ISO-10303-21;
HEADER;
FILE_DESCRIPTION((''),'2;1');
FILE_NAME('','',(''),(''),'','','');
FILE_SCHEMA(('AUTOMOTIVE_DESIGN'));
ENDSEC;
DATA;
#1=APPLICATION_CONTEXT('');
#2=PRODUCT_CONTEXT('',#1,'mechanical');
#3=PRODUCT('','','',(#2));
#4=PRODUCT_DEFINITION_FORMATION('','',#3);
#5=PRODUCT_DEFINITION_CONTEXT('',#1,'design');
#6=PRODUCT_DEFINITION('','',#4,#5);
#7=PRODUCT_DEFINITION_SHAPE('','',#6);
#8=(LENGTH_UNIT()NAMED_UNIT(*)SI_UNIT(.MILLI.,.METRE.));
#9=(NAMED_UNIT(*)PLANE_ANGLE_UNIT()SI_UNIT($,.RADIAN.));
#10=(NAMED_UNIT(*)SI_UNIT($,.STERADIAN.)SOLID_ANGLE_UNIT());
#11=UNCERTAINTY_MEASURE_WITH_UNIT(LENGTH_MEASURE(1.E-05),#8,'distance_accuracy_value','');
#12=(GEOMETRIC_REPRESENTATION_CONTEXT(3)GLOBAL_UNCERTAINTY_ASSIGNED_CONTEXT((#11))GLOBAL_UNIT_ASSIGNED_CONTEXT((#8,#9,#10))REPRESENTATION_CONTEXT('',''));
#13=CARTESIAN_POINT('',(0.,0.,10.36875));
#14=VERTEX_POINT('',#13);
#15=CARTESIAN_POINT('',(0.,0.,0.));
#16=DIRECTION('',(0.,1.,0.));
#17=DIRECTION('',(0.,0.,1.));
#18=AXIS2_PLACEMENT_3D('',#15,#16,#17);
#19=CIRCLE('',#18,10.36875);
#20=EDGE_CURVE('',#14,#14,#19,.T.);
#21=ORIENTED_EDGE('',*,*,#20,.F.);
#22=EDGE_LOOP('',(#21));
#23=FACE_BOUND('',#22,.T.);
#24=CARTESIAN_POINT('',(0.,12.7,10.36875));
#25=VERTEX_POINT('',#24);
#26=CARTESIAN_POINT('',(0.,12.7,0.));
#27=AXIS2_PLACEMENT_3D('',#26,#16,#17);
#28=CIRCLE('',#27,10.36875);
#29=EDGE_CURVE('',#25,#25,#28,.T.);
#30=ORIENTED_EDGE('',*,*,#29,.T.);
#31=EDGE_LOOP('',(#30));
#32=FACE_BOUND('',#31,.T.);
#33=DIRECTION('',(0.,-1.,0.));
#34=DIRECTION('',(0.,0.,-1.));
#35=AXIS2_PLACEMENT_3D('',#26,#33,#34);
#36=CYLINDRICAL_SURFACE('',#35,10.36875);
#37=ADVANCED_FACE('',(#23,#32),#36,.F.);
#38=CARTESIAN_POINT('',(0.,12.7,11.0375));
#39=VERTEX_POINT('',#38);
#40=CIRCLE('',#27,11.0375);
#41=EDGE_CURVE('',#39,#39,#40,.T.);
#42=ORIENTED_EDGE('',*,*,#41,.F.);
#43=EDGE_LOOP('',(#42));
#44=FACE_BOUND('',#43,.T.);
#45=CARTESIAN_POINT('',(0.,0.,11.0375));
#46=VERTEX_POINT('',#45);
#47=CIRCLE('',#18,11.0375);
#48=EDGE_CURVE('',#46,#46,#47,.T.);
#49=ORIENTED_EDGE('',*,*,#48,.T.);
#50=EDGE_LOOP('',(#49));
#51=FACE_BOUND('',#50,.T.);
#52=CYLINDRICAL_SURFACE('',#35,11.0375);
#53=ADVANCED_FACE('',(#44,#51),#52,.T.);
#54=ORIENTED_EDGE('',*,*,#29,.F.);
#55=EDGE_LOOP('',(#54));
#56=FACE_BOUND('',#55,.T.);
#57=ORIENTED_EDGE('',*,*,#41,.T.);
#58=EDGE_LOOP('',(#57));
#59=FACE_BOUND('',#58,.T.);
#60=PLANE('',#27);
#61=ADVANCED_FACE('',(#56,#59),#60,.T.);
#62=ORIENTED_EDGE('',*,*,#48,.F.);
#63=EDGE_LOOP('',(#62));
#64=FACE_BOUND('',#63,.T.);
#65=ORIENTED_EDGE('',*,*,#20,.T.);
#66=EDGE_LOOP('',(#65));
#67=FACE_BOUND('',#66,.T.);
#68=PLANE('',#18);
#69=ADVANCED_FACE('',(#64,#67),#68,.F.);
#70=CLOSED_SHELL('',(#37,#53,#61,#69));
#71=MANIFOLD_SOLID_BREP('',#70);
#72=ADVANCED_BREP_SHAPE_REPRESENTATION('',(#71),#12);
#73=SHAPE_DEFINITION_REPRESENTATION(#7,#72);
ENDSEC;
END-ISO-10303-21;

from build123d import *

# Parameters (mm, degrees)
SKETCH1_R           = 11.0375
SKETCH1_R_2         = 10.36875
BOSS_EXTRUDE1_DEPTH = 12.7


with BuildPart() as part:
    # Sketch1 → Boss-Extrude1 (new body)
    with BuildSketch(Plane(origin=(0, 0, 0), x_dir=(1, 0, 0), z_dir=(0, 1, 0))):
        with Locations(Location((0, 0, 0), (0, 0, 270))):
            Circle(SKETCH1_R)
        with Locations(Location((0, 0, 0), (0, 0, 270))):
            Circle(SKETCH1_R_2, mode=Mode.SUBTRACT)
    extrude(amount=BOSS_EXTRUDE1_DEPTH)


solid = part.part
